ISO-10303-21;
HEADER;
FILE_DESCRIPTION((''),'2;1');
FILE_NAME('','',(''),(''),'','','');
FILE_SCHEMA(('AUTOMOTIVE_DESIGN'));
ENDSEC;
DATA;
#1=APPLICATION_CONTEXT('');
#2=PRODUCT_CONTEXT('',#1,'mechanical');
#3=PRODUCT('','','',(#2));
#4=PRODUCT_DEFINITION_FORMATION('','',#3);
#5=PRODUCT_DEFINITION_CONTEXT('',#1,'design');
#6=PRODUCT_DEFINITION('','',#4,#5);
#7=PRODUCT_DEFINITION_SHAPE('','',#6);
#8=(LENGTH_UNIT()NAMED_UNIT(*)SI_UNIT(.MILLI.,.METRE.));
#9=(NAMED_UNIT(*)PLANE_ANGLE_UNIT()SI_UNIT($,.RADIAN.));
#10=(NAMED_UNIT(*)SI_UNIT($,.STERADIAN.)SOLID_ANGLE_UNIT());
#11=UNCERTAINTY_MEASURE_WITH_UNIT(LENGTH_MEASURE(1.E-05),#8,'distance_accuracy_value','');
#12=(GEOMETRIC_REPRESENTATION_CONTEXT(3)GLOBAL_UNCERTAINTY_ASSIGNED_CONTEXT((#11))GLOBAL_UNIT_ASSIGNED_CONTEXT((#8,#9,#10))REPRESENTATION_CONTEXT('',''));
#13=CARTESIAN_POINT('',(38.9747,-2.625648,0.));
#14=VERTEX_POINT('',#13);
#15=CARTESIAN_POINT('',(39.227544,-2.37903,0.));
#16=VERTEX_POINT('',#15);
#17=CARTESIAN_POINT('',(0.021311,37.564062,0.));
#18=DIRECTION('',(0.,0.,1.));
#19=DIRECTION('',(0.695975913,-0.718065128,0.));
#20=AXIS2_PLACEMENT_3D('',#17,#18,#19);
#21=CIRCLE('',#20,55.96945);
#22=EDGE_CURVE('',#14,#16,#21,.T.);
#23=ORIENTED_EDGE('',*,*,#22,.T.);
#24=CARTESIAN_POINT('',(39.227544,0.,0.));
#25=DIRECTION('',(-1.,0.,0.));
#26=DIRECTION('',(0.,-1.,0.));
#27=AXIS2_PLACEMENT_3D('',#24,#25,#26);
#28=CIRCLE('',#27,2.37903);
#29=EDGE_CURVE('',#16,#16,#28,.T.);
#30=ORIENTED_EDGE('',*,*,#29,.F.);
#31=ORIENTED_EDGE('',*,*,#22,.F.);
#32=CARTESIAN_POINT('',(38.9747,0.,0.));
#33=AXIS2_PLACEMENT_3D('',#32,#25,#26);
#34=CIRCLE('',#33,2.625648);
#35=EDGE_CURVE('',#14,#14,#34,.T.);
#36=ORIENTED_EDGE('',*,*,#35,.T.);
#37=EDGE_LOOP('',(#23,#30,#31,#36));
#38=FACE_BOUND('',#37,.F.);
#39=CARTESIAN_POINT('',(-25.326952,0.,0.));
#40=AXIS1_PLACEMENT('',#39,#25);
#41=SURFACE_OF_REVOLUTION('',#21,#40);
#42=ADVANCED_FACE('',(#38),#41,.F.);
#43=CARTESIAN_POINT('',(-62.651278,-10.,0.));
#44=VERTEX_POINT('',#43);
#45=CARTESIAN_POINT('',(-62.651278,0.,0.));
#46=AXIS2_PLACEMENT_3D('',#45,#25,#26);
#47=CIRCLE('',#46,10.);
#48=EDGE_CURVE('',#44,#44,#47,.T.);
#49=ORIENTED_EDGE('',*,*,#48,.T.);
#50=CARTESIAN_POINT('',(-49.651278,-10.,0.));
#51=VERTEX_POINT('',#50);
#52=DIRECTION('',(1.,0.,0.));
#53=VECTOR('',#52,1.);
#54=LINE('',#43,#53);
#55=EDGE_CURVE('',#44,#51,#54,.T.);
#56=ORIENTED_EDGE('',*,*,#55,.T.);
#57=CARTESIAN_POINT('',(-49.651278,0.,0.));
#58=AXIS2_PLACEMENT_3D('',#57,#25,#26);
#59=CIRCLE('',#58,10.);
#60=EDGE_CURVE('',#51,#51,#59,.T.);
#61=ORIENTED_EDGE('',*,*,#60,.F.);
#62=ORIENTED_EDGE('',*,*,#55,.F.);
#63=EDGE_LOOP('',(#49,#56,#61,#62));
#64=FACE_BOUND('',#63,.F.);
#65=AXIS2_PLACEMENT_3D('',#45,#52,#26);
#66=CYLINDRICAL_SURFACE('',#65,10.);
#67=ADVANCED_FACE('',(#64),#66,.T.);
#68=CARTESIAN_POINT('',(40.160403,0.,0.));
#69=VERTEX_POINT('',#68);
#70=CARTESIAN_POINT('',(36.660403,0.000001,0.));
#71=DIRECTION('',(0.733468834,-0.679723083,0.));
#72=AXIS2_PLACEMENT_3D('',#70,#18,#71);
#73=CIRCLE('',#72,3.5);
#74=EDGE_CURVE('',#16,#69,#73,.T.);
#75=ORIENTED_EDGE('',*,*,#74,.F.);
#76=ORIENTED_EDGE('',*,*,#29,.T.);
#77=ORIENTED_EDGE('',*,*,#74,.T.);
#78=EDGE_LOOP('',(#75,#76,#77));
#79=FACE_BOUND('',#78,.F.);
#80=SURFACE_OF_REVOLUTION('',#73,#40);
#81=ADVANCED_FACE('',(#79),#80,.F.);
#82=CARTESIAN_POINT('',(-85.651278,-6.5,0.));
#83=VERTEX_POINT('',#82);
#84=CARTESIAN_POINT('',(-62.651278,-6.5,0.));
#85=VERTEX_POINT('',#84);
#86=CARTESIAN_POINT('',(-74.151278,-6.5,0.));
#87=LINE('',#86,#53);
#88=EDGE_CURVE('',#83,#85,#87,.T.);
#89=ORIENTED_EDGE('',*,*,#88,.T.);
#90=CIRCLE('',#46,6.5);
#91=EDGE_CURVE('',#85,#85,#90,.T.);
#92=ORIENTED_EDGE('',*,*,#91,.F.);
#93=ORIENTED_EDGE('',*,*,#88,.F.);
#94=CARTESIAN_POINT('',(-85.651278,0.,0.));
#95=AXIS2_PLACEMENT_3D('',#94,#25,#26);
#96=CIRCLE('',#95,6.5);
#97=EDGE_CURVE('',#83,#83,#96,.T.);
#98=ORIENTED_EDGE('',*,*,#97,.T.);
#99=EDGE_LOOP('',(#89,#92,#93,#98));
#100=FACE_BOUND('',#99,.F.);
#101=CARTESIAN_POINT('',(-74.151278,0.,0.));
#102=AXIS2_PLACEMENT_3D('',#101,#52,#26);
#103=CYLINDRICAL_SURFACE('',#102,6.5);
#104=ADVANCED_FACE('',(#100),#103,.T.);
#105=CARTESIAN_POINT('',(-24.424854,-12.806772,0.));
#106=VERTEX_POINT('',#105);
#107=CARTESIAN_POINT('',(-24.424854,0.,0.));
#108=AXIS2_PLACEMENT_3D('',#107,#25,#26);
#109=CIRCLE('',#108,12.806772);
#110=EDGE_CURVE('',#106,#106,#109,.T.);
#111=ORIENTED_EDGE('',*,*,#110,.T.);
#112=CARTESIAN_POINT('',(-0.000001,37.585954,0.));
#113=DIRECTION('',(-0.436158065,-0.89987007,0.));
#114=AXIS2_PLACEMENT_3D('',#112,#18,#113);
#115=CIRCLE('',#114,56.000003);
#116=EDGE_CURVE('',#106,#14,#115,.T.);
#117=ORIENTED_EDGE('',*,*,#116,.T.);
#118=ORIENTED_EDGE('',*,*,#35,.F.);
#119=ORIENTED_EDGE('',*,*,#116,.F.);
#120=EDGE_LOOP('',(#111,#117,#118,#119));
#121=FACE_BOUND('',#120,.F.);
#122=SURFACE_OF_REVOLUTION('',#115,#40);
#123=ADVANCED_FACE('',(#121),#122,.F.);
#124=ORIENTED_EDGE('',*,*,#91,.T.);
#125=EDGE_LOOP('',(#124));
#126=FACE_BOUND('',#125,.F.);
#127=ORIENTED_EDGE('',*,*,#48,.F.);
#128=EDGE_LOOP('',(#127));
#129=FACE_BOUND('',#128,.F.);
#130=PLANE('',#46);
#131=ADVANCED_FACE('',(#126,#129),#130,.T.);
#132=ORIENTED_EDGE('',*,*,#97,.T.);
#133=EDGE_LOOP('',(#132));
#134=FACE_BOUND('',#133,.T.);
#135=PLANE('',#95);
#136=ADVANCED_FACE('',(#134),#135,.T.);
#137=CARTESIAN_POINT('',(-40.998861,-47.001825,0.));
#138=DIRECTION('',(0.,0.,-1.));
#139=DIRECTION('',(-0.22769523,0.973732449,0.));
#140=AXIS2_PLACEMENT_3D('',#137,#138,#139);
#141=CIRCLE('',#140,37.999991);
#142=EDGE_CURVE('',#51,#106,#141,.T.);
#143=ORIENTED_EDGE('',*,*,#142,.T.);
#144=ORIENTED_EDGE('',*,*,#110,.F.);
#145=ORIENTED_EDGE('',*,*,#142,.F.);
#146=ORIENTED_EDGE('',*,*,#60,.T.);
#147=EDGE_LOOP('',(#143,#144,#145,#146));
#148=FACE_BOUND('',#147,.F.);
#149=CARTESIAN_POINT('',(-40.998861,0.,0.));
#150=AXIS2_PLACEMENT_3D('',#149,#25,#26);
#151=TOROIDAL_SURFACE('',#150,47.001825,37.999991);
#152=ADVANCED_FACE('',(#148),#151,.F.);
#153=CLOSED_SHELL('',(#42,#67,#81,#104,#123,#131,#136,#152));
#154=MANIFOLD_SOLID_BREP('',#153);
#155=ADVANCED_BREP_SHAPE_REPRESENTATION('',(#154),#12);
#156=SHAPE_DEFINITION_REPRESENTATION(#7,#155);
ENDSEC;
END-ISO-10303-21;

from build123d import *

# Parameters (mm, degrees)
F0_W = 23
F0_H = 6.5


with BuildPart() as f1:
    # F0 (on Top) → F1 (revolve)
    with BuildSketch(Plane.XY):
        with BuildLine():
            ThreePointArc((39.227544, -2.37903), (39.918853, -1.277694), (40.160403, 0))
            Line((40.160403, 0), (-62.651278, 0))
            Line((-62.651278, 0), (-62.651278, -6.5))
            Line((-62.651278, -6.5), (-62.651278, -10))
            Line((-62.651278, -10), (-49.651278, -10))
            ThreePointArc((-49.651278, -10), (-36.796792, -9.234882), (-24.424854, -12.806772))
            ThreePointArc((-24.424854, -12.806772), (8.879095, -17.705654), (38.9747, -2.625648))
            ThreePointArc((38.9747, -2.625648), (39.101317, -2.502538), (39.227544, -2.37903))
        make_face()
        with Locations((-74.151278, -3.25)):
            Rectangle(F0_W, F0_H)
    revolve(axis=Axis((-25.326952, 0, 0), (-1, 0, 0)))


solid = f1.part
